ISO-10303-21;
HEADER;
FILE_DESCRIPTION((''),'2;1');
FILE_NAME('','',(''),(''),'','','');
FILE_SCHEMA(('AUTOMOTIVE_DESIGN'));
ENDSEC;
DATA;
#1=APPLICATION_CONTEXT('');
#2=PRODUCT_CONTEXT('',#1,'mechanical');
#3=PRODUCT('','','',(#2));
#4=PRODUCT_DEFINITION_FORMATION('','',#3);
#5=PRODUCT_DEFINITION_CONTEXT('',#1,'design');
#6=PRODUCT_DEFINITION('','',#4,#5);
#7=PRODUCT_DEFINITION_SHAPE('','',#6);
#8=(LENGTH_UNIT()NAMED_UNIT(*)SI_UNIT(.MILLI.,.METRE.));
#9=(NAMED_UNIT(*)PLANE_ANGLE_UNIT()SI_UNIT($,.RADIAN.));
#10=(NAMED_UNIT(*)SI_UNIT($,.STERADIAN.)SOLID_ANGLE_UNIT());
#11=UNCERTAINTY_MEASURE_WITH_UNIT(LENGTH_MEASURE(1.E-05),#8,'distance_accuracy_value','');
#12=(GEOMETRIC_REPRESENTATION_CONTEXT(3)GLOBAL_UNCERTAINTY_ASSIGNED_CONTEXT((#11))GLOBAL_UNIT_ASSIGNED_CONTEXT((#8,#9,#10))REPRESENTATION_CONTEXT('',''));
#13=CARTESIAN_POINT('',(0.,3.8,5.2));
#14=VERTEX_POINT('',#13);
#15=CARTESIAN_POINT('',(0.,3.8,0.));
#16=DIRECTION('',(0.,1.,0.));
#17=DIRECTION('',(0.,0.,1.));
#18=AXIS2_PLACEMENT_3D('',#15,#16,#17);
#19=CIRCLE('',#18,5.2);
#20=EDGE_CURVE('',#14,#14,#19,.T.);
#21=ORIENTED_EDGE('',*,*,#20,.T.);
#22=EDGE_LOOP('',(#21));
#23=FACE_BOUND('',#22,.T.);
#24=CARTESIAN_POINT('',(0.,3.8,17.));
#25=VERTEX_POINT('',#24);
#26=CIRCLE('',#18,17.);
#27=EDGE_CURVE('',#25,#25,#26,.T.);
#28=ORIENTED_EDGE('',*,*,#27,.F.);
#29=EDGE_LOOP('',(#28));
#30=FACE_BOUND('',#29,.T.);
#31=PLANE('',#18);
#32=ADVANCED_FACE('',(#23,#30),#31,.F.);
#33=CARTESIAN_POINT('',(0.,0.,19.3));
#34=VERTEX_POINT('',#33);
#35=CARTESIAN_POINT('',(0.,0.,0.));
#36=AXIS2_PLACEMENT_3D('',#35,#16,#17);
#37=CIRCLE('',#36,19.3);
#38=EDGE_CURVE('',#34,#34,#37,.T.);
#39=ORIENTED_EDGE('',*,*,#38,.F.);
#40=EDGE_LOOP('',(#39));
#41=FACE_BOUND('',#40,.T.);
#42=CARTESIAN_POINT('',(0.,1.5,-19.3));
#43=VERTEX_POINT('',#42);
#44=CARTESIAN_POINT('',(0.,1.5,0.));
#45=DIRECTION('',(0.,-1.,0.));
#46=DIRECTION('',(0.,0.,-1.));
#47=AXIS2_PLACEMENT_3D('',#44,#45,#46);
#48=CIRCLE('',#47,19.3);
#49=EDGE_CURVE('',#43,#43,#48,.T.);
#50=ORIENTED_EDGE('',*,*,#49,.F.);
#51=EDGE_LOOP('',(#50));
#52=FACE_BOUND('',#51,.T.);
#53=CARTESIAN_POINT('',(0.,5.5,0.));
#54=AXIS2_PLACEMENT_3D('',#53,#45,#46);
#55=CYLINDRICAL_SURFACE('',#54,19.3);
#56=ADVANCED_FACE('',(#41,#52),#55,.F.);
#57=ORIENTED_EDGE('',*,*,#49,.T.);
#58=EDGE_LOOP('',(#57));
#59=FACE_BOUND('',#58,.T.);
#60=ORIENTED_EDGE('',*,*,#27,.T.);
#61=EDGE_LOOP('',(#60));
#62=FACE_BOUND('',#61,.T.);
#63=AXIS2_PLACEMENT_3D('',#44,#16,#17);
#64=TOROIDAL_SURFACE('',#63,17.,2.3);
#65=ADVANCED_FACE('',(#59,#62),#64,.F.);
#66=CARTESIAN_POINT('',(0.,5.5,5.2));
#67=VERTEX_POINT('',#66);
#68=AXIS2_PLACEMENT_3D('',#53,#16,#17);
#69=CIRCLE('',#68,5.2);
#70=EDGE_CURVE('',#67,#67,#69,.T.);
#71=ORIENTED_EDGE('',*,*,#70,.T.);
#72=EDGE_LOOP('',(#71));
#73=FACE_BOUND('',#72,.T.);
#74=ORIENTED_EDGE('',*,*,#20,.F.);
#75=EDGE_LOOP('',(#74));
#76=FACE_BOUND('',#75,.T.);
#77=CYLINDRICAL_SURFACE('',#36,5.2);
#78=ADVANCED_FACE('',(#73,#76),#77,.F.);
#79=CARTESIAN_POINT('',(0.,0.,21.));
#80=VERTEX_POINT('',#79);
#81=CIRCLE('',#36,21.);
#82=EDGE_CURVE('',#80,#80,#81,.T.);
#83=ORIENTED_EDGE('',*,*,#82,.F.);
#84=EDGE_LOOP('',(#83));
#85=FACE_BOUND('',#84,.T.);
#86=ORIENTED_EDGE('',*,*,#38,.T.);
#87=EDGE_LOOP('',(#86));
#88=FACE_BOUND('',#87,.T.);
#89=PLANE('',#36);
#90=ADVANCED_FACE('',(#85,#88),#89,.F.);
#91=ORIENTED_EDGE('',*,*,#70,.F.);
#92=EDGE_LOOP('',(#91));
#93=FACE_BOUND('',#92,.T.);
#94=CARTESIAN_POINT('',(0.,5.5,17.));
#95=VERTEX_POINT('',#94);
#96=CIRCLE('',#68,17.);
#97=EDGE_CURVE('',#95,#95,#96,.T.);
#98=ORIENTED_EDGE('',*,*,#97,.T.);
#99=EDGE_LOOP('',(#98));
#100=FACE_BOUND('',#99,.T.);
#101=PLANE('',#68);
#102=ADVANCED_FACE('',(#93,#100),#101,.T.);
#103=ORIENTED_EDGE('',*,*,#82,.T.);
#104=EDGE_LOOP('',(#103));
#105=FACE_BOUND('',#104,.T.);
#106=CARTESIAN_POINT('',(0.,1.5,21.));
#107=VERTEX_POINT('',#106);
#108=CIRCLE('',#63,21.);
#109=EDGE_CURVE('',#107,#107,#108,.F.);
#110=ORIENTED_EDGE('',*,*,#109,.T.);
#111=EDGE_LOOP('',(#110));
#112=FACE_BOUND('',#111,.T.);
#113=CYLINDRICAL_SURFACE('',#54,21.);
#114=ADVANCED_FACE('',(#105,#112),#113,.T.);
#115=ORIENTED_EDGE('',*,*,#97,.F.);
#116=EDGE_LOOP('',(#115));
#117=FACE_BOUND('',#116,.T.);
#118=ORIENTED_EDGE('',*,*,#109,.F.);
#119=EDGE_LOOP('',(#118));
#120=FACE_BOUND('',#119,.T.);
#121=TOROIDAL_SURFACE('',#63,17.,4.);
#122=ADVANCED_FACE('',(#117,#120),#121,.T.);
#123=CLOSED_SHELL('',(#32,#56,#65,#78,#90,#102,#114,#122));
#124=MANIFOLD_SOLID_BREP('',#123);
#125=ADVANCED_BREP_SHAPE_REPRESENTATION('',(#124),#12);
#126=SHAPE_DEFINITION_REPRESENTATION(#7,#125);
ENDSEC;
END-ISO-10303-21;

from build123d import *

# Parameters (mm, degrees)
SKETCH1_R           = 21
BOSS_EXTRUDE1_DEPTH = 5.5
FILLET2_R           = 4
SHELL3_T            = -1.7
SKETCH3_R           = 5.2
CUT_EXTRUDE2_DEPTH  = 31.203476621


with BuildPart() as part:
    # Sketch1 → Boss-Extrude1 (new body)
    with BuildSketch(Plane(origin=(0, 0, 0), x_dir=(1, 0, 0), z_dir=(0, 1, 0))):
        with Locations(Location((0, 0, 0), (0, 0, 270))):
            Circle(SKETCH1_R)
    extrude(amount=BOSS_EXTRUDE1_DEPTH)

    # Fillet2
    fillet2_edges = [part.edges().sort_by_distance(p)[0] for p in [
        (0, 5.5, -21),
    ]]
    fillet(fillet2_edges, radius=FILLET2_R)

    # Shell3
    shell3_openings = [part.faces().sort_by_distance(p)[0] for p in [
        (0, 0, 0),
    ]]
    offset(amount=SHELL3_T, openings=shell3_openings, kind=Kind.INTERSECTION)

    # Sketch3 → Cut-Extrude2 (cut, through all)
    with BuildSketch(Plane(origin=(0, 5.5, 0), x_dir=(1, 0, 0), z_dir=(0, 1, 0))):
        with Locations(Location((0, 0, 0), (0, 0, 270))):
            Circle(SKETCH3_R)
    extrude(amount=-CUT_EXTRUDE2_DEPTH, mode=Mode.SUBTRACT)


solid = part.part
